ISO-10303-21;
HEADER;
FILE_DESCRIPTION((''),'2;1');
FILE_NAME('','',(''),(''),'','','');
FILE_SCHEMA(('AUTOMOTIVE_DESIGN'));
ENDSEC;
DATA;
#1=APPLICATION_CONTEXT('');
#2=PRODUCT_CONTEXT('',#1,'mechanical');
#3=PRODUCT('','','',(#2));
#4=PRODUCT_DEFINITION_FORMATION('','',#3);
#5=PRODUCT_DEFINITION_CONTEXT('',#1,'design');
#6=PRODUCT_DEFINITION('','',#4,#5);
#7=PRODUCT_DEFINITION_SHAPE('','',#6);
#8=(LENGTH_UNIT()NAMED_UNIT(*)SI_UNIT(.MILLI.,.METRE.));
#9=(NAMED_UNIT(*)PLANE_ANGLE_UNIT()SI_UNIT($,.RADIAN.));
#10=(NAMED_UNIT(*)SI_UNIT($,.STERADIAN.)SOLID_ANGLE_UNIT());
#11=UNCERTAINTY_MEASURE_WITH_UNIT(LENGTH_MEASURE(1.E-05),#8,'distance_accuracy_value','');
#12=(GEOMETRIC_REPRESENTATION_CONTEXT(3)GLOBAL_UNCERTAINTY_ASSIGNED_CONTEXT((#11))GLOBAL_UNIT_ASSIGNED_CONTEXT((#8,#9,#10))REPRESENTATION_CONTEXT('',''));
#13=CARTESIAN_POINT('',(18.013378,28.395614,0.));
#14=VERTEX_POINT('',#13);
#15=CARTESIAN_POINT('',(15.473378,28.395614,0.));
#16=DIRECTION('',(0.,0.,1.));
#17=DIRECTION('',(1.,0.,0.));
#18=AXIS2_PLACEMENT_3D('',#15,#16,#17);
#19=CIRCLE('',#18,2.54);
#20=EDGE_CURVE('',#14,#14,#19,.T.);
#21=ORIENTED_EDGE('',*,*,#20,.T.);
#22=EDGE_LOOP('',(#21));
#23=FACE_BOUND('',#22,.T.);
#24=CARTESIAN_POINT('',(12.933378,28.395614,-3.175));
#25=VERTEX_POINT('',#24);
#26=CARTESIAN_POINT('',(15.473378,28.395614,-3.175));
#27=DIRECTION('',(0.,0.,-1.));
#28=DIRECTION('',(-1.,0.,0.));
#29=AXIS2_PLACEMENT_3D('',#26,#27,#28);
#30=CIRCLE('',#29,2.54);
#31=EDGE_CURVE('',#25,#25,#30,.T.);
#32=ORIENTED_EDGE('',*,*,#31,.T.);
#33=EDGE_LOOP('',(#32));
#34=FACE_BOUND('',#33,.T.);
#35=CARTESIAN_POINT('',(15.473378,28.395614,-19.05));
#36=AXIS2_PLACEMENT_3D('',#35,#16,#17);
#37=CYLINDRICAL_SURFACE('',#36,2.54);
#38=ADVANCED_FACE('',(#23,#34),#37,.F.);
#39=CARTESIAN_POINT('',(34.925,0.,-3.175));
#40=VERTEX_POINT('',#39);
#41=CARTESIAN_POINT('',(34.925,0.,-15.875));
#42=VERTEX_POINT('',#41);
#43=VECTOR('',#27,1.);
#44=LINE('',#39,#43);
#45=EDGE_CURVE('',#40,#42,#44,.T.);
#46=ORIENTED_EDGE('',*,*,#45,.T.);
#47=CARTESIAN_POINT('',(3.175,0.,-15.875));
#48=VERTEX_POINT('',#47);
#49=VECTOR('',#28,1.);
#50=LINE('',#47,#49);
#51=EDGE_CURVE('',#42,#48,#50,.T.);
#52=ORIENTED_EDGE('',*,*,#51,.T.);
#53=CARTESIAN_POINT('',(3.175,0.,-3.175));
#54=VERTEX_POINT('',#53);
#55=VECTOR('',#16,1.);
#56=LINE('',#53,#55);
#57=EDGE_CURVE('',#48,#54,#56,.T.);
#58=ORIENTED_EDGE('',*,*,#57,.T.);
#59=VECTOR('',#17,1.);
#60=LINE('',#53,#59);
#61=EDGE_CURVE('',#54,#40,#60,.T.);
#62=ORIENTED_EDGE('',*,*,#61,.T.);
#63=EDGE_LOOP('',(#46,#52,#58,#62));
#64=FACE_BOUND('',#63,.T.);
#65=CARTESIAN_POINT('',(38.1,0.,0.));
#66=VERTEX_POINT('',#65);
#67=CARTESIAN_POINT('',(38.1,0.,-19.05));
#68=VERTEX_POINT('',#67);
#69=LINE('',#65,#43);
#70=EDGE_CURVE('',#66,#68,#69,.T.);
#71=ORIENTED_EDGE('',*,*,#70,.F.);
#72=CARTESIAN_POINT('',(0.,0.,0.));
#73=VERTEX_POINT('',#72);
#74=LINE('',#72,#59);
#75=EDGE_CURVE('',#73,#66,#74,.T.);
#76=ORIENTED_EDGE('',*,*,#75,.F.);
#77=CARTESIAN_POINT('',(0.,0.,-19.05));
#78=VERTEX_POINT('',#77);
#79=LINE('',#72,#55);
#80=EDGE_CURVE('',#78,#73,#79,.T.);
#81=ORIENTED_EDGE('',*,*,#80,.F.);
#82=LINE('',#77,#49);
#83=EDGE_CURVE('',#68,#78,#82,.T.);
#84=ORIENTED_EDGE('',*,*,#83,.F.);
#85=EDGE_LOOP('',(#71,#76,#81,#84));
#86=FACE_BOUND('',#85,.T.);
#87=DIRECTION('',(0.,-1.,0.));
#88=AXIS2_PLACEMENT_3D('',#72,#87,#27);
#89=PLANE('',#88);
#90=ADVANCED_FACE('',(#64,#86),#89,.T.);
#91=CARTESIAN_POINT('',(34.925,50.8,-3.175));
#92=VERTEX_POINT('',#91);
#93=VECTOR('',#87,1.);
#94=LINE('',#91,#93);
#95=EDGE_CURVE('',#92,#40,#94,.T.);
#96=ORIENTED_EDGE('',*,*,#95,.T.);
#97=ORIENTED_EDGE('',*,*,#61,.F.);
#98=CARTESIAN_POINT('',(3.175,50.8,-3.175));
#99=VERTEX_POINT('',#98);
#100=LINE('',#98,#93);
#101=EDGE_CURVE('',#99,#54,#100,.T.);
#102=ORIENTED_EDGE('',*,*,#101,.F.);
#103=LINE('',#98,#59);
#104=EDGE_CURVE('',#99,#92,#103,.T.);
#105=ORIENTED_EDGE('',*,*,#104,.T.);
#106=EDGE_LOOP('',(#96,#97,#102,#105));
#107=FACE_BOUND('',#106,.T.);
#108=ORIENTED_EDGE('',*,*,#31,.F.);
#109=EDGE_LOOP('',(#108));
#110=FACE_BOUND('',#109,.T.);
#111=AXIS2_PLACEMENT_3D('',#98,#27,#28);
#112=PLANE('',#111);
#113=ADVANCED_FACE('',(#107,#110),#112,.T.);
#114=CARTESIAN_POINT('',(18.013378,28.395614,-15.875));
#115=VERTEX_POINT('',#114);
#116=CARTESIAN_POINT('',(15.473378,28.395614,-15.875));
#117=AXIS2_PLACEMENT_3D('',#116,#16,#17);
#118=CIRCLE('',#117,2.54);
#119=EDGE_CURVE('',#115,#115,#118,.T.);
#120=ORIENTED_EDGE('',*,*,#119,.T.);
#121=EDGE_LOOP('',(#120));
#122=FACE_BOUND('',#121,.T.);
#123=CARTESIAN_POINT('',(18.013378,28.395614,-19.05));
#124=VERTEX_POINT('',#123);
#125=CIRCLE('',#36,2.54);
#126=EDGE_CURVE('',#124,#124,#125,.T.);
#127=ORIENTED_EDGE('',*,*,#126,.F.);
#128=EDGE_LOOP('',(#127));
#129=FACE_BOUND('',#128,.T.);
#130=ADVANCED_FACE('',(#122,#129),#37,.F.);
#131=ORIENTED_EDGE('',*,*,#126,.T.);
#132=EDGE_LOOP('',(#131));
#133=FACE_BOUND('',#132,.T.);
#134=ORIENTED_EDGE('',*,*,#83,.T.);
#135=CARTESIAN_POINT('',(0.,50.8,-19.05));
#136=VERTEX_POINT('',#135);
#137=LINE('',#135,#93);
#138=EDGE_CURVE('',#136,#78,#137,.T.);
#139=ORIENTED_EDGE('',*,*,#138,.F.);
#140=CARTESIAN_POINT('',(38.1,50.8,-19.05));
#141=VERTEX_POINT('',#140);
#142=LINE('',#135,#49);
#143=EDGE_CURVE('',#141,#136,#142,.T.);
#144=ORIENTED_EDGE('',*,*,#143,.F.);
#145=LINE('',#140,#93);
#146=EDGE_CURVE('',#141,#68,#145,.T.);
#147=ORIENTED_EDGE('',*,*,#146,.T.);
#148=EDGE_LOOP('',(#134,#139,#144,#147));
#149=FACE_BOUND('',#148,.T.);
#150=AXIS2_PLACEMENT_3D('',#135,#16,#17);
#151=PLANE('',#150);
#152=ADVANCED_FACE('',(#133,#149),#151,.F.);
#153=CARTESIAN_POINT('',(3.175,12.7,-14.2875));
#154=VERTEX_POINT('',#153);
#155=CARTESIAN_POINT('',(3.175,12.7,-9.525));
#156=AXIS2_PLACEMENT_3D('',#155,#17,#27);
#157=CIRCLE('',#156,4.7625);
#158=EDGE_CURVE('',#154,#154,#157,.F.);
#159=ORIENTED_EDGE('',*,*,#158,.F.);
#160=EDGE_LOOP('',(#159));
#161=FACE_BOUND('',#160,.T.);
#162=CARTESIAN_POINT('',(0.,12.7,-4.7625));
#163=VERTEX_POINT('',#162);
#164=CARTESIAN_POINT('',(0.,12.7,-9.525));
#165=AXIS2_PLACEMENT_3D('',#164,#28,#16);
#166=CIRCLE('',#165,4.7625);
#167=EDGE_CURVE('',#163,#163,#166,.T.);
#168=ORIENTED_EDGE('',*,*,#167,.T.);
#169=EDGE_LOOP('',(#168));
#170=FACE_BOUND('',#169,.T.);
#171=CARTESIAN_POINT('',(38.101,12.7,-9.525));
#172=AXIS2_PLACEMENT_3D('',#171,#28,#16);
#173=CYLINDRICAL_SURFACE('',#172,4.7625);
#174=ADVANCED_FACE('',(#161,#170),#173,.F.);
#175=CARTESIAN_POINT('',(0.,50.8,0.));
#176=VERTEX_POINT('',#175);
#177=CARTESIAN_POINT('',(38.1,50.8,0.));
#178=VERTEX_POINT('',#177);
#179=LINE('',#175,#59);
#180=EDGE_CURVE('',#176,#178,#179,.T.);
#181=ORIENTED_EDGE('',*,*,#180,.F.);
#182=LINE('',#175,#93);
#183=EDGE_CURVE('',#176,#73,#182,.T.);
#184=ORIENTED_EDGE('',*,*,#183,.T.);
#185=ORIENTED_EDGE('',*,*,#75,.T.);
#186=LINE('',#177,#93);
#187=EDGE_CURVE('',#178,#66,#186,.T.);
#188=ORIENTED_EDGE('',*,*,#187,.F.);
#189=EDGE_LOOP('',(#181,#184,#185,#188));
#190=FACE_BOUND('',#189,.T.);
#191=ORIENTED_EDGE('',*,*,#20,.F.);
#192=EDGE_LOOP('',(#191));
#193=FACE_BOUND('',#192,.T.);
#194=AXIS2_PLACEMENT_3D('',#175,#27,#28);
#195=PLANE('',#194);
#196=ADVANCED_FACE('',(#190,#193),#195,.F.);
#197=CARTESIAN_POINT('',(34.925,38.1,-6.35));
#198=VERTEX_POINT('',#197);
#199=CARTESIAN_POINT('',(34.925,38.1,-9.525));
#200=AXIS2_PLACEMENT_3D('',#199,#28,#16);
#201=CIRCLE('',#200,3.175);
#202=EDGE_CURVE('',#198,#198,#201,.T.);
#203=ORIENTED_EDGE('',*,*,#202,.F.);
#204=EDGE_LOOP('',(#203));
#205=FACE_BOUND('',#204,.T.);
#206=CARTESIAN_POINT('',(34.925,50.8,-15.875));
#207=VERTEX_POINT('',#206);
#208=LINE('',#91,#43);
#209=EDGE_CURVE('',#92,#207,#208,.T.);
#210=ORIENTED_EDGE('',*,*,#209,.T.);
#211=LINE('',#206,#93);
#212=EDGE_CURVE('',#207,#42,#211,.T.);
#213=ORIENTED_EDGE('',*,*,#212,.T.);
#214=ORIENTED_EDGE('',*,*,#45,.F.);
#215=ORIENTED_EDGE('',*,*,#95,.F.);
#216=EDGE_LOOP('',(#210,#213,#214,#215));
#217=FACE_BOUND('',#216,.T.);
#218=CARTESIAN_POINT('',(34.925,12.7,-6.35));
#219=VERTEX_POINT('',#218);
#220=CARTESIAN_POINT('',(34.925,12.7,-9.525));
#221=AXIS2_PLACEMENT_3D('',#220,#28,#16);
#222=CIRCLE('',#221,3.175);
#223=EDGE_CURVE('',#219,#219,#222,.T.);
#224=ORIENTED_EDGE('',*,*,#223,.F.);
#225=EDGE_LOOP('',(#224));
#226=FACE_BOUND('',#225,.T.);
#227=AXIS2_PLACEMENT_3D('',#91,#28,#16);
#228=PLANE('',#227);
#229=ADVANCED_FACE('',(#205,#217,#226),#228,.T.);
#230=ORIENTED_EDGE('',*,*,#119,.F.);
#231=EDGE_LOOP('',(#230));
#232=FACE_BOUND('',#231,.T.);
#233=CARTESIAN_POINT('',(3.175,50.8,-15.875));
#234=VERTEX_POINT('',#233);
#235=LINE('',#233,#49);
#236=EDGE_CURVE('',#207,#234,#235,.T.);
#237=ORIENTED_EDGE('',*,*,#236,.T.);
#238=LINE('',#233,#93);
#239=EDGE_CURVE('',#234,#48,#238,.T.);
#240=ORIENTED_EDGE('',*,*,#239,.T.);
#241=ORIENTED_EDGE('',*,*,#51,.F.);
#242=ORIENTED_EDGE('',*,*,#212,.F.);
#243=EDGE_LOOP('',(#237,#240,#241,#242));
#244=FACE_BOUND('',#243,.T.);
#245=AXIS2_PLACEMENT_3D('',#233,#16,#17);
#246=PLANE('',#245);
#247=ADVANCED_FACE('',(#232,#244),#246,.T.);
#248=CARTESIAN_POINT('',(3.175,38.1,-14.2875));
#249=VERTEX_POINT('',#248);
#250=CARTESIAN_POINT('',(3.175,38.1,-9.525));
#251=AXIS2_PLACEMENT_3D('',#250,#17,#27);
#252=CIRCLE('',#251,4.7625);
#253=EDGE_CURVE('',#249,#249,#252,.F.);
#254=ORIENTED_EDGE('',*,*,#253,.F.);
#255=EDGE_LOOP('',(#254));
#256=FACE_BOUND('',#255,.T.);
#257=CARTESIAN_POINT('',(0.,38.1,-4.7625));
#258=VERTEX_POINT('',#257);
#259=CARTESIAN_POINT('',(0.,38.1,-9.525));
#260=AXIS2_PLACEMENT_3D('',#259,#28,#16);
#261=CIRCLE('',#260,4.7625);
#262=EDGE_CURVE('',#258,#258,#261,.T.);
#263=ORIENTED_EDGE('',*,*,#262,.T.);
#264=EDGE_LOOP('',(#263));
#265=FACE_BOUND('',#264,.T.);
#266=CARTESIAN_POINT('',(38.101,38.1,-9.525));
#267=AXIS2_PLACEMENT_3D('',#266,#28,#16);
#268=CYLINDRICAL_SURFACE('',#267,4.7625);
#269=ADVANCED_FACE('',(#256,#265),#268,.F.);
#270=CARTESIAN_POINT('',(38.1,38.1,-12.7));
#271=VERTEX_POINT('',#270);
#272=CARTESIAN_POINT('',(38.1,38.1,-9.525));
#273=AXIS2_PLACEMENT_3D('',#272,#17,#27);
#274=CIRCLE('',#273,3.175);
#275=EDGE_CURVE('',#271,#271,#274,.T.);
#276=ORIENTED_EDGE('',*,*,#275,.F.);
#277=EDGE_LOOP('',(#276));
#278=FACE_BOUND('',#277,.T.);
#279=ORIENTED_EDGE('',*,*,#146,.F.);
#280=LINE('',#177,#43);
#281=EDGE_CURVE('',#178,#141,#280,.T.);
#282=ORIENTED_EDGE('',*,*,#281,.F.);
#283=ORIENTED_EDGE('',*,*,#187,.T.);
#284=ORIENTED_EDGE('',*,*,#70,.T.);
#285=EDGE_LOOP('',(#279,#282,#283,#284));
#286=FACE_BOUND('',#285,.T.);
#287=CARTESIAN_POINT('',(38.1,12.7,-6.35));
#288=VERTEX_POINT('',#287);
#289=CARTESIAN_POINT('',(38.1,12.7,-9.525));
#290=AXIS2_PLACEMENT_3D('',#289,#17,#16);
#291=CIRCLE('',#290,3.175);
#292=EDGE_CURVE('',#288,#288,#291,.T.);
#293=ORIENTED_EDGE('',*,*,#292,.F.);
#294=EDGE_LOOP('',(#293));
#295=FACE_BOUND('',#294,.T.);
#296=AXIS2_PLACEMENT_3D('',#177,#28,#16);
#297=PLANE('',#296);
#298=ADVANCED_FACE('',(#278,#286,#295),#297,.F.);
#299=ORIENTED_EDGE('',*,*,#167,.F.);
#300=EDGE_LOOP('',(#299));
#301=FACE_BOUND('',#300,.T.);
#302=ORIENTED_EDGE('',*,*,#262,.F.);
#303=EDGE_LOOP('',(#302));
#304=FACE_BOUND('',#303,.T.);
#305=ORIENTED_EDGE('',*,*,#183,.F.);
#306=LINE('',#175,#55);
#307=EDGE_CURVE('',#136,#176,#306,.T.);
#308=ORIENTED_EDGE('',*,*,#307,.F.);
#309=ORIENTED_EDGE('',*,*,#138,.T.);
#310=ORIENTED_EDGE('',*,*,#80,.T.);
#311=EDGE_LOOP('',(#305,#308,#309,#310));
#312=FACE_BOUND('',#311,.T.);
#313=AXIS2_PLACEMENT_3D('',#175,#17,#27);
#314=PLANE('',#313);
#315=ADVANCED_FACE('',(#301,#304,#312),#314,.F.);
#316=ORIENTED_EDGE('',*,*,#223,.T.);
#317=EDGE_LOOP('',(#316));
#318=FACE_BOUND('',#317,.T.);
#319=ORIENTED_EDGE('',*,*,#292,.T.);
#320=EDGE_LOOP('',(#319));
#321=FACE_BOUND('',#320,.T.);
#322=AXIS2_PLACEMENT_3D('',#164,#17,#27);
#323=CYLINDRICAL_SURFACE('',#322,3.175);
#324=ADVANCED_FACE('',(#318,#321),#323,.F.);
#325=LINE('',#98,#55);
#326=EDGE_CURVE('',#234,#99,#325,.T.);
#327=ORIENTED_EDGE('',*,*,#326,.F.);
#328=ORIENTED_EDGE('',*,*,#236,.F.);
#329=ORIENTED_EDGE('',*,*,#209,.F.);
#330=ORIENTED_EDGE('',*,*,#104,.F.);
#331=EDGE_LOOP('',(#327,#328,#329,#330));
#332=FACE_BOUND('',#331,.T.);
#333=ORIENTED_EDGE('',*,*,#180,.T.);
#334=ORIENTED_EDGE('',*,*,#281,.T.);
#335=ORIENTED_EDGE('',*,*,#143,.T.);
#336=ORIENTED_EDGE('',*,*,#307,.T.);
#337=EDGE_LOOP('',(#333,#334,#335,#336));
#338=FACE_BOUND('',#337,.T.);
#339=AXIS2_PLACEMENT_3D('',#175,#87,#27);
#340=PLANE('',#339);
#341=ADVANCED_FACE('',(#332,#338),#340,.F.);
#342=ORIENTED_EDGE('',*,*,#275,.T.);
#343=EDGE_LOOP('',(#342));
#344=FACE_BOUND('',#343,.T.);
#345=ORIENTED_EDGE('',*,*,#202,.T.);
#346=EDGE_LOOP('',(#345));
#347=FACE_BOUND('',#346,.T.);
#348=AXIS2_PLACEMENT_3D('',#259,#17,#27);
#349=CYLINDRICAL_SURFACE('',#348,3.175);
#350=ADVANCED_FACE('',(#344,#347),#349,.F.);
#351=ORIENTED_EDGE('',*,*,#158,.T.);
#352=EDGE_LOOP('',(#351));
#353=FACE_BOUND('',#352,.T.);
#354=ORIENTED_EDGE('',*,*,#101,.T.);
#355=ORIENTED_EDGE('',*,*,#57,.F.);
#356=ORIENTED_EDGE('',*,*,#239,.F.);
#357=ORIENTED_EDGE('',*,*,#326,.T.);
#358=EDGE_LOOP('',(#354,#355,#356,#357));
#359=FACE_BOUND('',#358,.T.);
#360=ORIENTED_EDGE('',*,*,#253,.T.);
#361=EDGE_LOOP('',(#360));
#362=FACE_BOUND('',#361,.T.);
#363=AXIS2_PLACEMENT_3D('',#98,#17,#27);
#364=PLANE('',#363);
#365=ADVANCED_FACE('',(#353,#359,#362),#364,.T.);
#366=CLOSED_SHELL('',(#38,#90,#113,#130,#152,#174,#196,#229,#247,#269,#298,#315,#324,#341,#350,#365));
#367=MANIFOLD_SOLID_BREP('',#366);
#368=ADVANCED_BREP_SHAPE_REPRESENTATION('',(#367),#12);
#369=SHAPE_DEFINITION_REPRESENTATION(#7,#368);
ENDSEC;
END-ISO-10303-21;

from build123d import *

# Parameters (mm, degrees)
SKETCH1_W           = 38.1
SKETCH1_H           = 19.05
SKETCH1_W_2         = 31.75
SKETCH1_H_2         = 12.7
BOSS_EXTRUDE1_DEPTH = 50.8
SKETCH2_R           = 3.175
CUT_EXTRUDE1_DEPTH  = 39.1
SKETCH3_R           = 2.54
CUT_EXTRUDE2_DEPTH  = 20.05
CUT_EXTRUDE3_REACH  = 40.1
SKETCH4_R           = 4.7625


with BuildPart() as part:
    # Sketch1 → Boss-Extrude1 (new body)
    with BuildSketch(Plane(origin=(0, 0, 0), x_dir=(1, 0, 0), z_dir=(0, 1, 0))):
        with Locations((19.05, 9.525)):
            Rectangle(SKETCH1_W, SKETCH1_H)
        with Locations((19.05, 9.525)):
            Rectangle(SKETCH1_W_2, SKETCH1_H_2, mode=Mode.SUBTRACT)
    extrude(amount=BOSS_EXTRUDE1_DEPTH)

    # Sketch2 → Cut-Extrude1 (cut, through all)
    with BuildSketch(Plane(origin=(38.1, 0, 0), x_dir=(0, 0, -1), z_dir=(1, 0, 0))):
        with Locations((9.525, 38.1)):
            Circle(SKETCH2_R)
        with Locations((9.525, 12.7)):
            Circle(SKETCH2_R)
    extrude(amount=-CUT_EXTRUDE1_DEPTH, mode=Mode.SUBTRACT)

    # Sketch3 → Cut-Extrude2 (cut, through all)
    with BuildSketch(Plane.XY):
        with Locations((15.473378078, 28.395613607)):
            Circle(SKETCH3_R)
    extrude(amount=-CUT_EXTRUDE2_DEPTH, mode=Mode.SUBTRACT)

    # Sketch4 → Cut-Extrude3 (cut, up to next)
    with BuildSketch(Plane.ZY, mode=Mode.PRIVATE) as cut_extrude3_sk1:
        with Locations((-9.525, 12.7)):
            Circle(SKETCH4_R)
    cut_extrude3_tool1 = extrude(cut_extrude3_sk1.sketch, amount=-CUT_EXTRUDE3_REACH, mode=Mode.PRIVATE) & part.part
    add(cut_extrude3_tool1.solids().sort_by_distance((0, 12.7, -9.525))[0], mode=Mode.SUBTRACT)
    # Sketch4 → Cut-Extrude3 (cut, up to next)
    with BuildSketch(Plane.ZY, mode=Mode.PRIVATE) as cut_extrude3_sk2:
        with Locations((-9.525, 38.1)):
            Circle(SKETCH4_R)
    cut_extrude3_tool2 = extrude(cut_extrude3_sk2.sketch, amount=-CUT_EXTRUDE3_REACH, mode=Mode.PRIVATE) & part.part
    add(cut_extrude3_tool2.solids().sort_by_distance((0, 38.1, -9.525))[0], mode=Mode.SUBTRACT)


solid = part.part
